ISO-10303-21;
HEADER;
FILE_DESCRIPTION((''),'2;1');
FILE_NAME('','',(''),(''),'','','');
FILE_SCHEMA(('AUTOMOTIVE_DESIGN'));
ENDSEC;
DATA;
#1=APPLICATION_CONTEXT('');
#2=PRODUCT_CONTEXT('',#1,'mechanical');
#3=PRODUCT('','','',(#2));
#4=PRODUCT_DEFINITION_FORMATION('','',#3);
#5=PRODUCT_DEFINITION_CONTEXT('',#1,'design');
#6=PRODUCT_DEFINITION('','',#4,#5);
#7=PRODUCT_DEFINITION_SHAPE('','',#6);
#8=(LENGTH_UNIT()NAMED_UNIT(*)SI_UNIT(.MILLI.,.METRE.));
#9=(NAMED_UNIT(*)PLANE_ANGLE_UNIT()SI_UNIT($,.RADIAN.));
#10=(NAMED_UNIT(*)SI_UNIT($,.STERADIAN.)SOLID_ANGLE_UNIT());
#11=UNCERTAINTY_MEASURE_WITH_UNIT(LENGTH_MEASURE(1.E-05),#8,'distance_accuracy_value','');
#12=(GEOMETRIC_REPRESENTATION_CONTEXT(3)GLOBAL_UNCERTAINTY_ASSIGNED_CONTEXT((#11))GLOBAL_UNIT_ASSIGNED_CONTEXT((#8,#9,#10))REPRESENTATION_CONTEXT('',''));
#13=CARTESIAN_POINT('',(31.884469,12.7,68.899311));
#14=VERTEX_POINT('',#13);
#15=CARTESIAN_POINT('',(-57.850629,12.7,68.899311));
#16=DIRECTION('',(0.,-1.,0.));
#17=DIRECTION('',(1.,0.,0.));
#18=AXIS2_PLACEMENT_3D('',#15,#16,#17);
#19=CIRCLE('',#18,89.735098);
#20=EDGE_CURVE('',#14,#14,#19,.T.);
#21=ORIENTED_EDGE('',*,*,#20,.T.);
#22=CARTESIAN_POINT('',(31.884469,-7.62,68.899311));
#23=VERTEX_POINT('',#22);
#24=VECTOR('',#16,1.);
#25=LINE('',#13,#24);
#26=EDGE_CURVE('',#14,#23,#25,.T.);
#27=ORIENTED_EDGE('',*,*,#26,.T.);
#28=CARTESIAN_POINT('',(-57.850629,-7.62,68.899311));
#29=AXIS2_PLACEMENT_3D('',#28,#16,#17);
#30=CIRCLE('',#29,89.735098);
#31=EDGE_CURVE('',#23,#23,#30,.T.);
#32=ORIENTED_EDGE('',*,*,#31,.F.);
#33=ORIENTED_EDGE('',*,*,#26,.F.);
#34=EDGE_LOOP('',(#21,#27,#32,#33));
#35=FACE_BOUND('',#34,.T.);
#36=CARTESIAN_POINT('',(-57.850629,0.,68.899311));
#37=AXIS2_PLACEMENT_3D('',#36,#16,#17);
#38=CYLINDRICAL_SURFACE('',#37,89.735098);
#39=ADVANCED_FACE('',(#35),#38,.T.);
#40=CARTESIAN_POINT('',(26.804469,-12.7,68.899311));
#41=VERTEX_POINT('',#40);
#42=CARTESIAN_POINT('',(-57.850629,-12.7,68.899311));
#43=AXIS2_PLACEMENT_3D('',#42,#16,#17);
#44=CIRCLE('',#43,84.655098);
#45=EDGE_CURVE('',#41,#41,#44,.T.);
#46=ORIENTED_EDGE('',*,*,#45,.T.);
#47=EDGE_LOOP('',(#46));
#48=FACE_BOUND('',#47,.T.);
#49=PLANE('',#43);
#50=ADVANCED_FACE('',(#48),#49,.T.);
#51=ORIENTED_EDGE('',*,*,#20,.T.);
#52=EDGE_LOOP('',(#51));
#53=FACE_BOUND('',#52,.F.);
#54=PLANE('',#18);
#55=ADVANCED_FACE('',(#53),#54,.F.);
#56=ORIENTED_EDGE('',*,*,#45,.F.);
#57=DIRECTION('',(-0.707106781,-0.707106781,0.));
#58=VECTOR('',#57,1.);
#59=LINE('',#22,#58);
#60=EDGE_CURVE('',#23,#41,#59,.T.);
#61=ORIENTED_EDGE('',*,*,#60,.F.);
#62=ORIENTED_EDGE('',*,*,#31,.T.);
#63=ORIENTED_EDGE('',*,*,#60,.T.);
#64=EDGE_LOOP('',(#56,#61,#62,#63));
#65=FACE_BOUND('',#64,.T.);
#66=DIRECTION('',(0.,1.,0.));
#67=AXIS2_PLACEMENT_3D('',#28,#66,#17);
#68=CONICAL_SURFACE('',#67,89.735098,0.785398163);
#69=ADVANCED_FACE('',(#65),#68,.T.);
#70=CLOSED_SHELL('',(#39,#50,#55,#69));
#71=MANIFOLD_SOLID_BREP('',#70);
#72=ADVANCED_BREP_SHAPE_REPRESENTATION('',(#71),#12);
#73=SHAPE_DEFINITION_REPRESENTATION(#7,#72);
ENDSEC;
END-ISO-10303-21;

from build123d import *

# Parameters (mm, degrees)
F0_R     = 89.735098
F1_DEPTH = 12.7
F2_SIZE  = 5.08


with BuildPart() as f1:
    # F0 (on Front) → F1 (new body, symmetric)
    with BuildSketch(Plane.XZ):
        with Locations((-57.850629, 68.899311)):
            Circle(F0_R)
    extrude(amount=F1_DEPTH, both=True)

    # F2
    f2_edges = [f1.edges().sort_by_distance(p)[0] for p in [
        (-147.585727, -12.7, 68.899311),
    ]]
    chamfer(f2_edges, length=F2_SIZE)


solid = f1.part
